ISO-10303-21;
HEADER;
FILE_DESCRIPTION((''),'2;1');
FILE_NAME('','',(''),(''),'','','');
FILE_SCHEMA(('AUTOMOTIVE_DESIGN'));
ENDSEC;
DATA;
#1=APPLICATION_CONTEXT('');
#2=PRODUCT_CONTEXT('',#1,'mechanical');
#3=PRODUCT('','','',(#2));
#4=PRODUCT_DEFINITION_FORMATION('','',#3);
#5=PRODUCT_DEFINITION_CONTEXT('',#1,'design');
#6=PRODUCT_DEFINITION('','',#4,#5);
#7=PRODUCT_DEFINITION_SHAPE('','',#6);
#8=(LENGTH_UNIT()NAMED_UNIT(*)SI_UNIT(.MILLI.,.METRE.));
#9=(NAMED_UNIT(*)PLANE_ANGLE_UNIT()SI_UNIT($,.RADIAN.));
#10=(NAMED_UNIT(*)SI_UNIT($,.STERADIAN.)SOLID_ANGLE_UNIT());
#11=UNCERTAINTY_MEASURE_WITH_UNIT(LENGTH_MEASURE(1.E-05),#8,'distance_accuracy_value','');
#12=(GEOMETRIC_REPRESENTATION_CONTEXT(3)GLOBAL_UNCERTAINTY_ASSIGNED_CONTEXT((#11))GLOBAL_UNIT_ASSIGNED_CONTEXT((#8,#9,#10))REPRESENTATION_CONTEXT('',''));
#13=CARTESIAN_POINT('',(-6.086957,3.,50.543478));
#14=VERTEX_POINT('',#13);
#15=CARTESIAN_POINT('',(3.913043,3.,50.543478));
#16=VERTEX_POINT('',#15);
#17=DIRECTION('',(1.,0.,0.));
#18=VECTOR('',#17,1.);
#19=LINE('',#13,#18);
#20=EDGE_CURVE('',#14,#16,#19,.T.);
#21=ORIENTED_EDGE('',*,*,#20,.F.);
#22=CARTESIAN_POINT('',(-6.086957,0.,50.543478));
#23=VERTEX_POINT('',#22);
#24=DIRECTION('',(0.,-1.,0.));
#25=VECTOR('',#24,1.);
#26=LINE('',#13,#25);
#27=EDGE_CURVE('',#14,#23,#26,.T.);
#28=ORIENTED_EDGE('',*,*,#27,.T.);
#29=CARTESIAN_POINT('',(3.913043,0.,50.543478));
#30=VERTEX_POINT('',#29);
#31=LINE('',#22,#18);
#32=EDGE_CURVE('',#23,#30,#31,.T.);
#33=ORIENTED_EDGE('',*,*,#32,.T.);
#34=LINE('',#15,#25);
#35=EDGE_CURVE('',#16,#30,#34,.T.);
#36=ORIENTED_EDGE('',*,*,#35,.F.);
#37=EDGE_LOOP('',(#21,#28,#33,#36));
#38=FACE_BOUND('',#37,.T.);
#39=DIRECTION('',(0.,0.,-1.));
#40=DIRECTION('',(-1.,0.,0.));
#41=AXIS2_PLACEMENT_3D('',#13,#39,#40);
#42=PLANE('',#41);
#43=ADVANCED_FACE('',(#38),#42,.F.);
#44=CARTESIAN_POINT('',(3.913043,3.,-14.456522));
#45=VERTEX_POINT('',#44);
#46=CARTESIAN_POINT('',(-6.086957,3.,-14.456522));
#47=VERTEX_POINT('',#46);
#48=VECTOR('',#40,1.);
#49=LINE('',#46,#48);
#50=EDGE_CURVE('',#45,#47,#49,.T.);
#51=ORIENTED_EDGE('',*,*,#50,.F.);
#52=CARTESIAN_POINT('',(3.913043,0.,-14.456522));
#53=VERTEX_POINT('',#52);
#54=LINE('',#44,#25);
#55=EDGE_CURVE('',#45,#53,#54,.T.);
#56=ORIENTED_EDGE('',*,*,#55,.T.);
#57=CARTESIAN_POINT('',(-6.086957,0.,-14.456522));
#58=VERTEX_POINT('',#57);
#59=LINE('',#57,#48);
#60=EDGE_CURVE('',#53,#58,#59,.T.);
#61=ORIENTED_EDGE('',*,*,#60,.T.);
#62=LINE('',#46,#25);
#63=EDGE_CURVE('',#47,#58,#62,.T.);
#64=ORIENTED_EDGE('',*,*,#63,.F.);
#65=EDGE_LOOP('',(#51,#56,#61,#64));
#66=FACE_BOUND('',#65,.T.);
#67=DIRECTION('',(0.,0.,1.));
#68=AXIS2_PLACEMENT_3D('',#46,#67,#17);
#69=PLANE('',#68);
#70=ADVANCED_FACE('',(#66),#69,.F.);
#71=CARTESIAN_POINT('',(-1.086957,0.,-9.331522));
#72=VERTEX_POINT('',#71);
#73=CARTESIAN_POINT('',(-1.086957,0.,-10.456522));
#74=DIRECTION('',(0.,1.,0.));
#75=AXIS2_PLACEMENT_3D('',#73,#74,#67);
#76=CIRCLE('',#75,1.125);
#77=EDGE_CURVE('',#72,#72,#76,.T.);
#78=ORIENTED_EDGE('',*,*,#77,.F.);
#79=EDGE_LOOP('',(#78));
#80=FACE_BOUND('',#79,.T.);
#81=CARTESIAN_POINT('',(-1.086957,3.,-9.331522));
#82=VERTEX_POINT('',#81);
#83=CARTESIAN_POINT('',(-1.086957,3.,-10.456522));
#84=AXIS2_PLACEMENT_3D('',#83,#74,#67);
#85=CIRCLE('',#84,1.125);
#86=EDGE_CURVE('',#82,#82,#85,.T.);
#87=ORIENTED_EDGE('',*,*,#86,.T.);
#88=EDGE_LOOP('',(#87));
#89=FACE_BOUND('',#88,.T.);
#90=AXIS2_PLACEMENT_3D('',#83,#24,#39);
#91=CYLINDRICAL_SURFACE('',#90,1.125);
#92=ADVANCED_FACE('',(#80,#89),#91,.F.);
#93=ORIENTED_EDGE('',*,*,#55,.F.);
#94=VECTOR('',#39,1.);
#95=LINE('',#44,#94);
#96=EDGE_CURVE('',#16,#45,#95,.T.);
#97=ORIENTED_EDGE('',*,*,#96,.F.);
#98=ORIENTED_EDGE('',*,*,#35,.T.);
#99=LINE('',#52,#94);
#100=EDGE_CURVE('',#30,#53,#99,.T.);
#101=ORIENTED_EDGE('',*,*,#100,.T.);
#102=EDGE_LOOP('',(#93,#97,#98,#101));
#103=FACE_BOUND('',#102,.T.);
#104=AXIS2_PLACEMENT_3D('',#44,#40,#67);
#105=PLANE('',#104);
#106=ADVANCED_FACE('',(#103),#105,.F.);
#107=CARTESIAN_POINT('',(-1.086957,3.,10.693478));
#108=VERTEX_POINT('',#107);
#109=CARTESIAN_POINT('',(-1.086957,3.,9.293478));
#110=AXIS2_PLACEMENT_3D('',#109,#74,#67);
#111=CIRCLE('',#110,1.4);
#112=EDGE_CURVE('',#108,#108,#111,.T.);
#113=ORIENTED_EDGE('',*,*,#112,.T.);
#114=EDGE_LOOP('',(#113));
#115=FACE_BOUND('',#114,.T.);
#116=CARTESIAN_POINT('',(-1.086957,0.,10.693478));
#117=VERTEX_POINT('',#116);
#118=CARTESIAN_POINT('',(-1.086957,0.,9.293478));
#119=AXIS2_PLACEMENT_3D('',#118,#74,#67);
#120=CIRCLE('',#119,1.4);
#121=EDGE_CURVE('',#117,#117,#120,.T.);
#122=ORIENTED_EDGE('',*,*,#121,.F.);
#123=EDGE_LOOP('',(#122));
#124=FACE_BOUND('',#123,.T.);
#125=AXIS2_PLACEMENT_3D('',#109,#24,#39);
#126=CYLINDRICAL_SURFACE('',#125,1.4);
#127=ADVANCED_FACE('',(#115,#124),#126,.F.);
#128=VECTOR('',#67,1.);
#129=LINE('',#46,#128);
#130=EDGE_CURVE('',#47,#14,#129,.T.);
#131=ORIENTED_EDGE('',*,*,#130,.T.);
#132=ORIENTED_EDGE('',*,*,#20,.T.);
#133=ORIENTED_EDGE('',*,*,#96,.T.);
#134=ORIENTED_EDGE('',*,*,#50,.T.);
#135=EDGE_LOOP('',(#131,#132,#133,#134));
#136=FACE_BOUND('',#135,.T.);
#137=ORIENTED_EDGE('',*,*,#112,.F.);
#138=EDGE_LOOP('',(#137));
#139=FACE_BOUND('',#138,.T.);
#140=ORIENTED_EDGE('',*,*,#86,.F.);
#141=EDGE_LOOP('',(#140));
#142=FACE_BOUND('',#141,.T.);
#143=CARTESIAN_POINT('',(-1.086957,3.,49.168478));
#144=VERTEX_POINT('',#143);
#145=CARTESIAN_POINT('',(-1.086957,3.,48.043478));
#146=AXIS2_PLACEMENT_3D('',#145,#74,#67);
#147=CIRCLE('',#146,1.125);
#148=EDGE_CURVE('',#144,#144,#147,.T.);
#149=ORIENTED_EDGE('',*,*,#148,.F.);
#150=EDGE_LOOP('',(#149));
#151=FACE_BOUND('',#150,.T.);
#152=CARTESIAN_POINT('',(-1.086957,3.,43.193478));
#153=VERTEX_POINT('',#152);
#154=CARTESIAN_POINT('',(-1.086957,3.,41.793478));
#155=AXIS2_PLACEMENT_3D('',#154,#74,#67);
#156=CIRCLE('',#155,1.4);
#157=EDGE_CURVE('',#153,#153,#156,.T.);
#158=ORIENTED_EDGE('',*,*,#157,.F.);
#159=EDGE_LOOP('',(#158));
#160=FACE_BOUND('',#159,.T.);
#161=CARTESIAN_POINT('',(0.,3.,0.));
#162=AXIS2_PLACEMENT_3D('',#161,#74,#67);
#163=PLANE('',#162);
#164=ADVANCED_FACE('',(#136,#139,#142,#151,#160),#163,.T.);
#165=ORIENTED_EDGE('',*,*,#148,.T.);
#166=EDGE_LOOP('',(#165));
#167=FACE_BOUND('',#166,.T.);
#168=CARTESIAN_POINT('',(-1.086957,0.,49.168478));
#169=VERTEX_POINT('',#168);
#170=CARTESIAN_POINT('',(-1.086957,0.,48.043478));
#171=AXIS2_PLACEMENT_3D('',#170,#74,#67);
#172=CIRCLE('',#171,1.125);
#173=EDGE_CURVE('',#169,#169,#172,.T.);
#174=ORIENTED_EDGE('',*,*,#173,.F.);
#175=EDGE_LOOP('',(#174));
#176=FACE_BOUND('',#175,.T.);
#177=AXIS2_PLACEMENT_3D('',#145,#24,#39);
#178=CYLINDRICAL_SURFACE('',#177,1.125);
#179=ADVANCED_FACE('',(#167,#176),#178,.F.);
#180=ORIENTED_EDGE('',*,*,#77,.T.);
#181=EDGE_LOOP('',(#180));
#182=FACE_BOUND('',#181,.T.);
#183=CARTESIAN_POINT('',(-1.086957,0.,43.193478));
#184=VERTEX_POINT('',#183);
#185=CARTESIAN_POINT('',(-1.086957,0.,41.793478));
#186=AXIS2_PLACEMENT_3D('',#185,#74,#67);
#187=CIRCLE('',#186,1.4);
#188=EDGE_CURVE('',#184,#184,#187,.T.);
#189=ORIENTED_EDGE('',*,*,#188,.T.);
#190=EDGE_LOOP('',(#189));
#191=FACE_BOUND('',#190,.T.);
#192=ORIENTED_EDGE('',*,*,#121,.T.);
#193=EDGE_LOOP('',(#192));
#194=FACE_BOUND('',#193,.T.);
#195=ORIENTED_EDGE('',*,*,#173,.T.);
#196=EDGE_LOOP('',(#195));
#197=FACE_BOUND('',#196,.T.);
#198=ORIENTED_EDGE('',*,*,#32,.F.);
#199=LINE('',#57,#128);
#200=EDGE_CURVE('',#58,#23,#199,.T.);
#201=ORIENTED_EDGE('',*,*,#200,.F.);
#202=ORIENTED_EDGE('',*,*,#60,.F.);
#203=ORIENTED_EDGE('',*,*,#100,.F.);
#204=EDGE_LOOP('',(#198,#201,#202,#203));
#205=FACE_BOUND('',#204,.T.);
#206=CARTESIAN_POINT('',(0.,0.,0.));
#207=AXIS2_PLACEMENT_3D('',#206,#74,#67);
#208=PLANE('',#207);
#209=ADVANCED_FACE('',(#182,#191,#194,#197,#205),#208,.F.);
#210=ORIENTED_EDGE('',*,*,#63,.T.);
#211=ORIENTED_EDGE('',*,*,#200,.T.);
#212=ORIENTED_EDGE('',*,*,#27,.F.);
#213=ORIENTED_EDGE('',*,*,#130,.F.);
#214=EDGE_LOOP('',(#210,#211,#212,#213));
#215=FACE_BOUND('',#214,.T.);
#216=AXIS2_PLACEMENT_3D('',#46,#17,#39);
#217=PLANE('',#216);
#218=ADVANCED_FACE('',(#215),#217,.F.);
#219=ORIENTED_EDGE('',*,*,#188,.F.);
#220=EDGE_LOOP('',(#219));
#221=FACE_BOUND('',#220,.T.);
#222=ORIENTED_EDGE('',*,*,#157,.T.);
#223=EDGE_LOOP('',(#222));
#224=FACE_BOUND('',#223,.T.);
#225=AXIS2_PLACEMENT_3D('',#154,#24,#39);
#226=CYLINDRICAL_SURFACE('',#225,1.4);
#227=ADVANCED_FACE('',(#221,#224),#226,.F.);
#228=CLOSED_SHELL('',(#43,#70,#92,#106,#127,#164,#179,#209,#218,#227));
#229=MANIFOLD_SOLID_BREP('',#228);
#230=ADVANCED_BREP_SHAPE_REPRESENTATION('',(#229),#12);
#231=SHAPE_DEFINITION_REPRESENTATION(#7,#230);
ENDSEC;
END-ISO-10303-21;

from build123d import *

# Parameters (mm, degrees)
SKETCH_1_W      = 10
SKETCH_1_H      = 65
SKETCH_1_R      = 1.4
SKETCH_1_R_2    = 1.125
EXTRUDE_1_DEPTH = 3


with BuildPart() as part:
    # 스케치1 → 보스-돌출1 (new body)
    with BuildSketch(Plane(origin=(0, 0, 0), x_dir=(1, 0, 0), z_dir=(0, 1, 0))):
        with Locations((-1.086956522, -18.043478261)):
            Rectangle(SKETCH_1_W, SKETCH_1_H)
        with Locations((-1.086956522, -9.293478261)):
            Circle(SKETCH_1_R, mode=Mode.SUBTRACT)
        with Locations((-1.086956522, -41.793478261)):
            Circle(SKETCH_1_R, mode=Mode.SUBTRACT)
        with Locations((-1.086956522, 10.456521739)):
            Circle(SKETCH_1_R_2, mode=Mode.SUBTRACT)
        with Locations((-1.086956522, -48.043478261)):
            Circle(SKETCH_1_R_2, mode=Mode.SUBTRACT)
    extrude(amount=EXTRUDE_1_DEPTH)


solid = part.part
